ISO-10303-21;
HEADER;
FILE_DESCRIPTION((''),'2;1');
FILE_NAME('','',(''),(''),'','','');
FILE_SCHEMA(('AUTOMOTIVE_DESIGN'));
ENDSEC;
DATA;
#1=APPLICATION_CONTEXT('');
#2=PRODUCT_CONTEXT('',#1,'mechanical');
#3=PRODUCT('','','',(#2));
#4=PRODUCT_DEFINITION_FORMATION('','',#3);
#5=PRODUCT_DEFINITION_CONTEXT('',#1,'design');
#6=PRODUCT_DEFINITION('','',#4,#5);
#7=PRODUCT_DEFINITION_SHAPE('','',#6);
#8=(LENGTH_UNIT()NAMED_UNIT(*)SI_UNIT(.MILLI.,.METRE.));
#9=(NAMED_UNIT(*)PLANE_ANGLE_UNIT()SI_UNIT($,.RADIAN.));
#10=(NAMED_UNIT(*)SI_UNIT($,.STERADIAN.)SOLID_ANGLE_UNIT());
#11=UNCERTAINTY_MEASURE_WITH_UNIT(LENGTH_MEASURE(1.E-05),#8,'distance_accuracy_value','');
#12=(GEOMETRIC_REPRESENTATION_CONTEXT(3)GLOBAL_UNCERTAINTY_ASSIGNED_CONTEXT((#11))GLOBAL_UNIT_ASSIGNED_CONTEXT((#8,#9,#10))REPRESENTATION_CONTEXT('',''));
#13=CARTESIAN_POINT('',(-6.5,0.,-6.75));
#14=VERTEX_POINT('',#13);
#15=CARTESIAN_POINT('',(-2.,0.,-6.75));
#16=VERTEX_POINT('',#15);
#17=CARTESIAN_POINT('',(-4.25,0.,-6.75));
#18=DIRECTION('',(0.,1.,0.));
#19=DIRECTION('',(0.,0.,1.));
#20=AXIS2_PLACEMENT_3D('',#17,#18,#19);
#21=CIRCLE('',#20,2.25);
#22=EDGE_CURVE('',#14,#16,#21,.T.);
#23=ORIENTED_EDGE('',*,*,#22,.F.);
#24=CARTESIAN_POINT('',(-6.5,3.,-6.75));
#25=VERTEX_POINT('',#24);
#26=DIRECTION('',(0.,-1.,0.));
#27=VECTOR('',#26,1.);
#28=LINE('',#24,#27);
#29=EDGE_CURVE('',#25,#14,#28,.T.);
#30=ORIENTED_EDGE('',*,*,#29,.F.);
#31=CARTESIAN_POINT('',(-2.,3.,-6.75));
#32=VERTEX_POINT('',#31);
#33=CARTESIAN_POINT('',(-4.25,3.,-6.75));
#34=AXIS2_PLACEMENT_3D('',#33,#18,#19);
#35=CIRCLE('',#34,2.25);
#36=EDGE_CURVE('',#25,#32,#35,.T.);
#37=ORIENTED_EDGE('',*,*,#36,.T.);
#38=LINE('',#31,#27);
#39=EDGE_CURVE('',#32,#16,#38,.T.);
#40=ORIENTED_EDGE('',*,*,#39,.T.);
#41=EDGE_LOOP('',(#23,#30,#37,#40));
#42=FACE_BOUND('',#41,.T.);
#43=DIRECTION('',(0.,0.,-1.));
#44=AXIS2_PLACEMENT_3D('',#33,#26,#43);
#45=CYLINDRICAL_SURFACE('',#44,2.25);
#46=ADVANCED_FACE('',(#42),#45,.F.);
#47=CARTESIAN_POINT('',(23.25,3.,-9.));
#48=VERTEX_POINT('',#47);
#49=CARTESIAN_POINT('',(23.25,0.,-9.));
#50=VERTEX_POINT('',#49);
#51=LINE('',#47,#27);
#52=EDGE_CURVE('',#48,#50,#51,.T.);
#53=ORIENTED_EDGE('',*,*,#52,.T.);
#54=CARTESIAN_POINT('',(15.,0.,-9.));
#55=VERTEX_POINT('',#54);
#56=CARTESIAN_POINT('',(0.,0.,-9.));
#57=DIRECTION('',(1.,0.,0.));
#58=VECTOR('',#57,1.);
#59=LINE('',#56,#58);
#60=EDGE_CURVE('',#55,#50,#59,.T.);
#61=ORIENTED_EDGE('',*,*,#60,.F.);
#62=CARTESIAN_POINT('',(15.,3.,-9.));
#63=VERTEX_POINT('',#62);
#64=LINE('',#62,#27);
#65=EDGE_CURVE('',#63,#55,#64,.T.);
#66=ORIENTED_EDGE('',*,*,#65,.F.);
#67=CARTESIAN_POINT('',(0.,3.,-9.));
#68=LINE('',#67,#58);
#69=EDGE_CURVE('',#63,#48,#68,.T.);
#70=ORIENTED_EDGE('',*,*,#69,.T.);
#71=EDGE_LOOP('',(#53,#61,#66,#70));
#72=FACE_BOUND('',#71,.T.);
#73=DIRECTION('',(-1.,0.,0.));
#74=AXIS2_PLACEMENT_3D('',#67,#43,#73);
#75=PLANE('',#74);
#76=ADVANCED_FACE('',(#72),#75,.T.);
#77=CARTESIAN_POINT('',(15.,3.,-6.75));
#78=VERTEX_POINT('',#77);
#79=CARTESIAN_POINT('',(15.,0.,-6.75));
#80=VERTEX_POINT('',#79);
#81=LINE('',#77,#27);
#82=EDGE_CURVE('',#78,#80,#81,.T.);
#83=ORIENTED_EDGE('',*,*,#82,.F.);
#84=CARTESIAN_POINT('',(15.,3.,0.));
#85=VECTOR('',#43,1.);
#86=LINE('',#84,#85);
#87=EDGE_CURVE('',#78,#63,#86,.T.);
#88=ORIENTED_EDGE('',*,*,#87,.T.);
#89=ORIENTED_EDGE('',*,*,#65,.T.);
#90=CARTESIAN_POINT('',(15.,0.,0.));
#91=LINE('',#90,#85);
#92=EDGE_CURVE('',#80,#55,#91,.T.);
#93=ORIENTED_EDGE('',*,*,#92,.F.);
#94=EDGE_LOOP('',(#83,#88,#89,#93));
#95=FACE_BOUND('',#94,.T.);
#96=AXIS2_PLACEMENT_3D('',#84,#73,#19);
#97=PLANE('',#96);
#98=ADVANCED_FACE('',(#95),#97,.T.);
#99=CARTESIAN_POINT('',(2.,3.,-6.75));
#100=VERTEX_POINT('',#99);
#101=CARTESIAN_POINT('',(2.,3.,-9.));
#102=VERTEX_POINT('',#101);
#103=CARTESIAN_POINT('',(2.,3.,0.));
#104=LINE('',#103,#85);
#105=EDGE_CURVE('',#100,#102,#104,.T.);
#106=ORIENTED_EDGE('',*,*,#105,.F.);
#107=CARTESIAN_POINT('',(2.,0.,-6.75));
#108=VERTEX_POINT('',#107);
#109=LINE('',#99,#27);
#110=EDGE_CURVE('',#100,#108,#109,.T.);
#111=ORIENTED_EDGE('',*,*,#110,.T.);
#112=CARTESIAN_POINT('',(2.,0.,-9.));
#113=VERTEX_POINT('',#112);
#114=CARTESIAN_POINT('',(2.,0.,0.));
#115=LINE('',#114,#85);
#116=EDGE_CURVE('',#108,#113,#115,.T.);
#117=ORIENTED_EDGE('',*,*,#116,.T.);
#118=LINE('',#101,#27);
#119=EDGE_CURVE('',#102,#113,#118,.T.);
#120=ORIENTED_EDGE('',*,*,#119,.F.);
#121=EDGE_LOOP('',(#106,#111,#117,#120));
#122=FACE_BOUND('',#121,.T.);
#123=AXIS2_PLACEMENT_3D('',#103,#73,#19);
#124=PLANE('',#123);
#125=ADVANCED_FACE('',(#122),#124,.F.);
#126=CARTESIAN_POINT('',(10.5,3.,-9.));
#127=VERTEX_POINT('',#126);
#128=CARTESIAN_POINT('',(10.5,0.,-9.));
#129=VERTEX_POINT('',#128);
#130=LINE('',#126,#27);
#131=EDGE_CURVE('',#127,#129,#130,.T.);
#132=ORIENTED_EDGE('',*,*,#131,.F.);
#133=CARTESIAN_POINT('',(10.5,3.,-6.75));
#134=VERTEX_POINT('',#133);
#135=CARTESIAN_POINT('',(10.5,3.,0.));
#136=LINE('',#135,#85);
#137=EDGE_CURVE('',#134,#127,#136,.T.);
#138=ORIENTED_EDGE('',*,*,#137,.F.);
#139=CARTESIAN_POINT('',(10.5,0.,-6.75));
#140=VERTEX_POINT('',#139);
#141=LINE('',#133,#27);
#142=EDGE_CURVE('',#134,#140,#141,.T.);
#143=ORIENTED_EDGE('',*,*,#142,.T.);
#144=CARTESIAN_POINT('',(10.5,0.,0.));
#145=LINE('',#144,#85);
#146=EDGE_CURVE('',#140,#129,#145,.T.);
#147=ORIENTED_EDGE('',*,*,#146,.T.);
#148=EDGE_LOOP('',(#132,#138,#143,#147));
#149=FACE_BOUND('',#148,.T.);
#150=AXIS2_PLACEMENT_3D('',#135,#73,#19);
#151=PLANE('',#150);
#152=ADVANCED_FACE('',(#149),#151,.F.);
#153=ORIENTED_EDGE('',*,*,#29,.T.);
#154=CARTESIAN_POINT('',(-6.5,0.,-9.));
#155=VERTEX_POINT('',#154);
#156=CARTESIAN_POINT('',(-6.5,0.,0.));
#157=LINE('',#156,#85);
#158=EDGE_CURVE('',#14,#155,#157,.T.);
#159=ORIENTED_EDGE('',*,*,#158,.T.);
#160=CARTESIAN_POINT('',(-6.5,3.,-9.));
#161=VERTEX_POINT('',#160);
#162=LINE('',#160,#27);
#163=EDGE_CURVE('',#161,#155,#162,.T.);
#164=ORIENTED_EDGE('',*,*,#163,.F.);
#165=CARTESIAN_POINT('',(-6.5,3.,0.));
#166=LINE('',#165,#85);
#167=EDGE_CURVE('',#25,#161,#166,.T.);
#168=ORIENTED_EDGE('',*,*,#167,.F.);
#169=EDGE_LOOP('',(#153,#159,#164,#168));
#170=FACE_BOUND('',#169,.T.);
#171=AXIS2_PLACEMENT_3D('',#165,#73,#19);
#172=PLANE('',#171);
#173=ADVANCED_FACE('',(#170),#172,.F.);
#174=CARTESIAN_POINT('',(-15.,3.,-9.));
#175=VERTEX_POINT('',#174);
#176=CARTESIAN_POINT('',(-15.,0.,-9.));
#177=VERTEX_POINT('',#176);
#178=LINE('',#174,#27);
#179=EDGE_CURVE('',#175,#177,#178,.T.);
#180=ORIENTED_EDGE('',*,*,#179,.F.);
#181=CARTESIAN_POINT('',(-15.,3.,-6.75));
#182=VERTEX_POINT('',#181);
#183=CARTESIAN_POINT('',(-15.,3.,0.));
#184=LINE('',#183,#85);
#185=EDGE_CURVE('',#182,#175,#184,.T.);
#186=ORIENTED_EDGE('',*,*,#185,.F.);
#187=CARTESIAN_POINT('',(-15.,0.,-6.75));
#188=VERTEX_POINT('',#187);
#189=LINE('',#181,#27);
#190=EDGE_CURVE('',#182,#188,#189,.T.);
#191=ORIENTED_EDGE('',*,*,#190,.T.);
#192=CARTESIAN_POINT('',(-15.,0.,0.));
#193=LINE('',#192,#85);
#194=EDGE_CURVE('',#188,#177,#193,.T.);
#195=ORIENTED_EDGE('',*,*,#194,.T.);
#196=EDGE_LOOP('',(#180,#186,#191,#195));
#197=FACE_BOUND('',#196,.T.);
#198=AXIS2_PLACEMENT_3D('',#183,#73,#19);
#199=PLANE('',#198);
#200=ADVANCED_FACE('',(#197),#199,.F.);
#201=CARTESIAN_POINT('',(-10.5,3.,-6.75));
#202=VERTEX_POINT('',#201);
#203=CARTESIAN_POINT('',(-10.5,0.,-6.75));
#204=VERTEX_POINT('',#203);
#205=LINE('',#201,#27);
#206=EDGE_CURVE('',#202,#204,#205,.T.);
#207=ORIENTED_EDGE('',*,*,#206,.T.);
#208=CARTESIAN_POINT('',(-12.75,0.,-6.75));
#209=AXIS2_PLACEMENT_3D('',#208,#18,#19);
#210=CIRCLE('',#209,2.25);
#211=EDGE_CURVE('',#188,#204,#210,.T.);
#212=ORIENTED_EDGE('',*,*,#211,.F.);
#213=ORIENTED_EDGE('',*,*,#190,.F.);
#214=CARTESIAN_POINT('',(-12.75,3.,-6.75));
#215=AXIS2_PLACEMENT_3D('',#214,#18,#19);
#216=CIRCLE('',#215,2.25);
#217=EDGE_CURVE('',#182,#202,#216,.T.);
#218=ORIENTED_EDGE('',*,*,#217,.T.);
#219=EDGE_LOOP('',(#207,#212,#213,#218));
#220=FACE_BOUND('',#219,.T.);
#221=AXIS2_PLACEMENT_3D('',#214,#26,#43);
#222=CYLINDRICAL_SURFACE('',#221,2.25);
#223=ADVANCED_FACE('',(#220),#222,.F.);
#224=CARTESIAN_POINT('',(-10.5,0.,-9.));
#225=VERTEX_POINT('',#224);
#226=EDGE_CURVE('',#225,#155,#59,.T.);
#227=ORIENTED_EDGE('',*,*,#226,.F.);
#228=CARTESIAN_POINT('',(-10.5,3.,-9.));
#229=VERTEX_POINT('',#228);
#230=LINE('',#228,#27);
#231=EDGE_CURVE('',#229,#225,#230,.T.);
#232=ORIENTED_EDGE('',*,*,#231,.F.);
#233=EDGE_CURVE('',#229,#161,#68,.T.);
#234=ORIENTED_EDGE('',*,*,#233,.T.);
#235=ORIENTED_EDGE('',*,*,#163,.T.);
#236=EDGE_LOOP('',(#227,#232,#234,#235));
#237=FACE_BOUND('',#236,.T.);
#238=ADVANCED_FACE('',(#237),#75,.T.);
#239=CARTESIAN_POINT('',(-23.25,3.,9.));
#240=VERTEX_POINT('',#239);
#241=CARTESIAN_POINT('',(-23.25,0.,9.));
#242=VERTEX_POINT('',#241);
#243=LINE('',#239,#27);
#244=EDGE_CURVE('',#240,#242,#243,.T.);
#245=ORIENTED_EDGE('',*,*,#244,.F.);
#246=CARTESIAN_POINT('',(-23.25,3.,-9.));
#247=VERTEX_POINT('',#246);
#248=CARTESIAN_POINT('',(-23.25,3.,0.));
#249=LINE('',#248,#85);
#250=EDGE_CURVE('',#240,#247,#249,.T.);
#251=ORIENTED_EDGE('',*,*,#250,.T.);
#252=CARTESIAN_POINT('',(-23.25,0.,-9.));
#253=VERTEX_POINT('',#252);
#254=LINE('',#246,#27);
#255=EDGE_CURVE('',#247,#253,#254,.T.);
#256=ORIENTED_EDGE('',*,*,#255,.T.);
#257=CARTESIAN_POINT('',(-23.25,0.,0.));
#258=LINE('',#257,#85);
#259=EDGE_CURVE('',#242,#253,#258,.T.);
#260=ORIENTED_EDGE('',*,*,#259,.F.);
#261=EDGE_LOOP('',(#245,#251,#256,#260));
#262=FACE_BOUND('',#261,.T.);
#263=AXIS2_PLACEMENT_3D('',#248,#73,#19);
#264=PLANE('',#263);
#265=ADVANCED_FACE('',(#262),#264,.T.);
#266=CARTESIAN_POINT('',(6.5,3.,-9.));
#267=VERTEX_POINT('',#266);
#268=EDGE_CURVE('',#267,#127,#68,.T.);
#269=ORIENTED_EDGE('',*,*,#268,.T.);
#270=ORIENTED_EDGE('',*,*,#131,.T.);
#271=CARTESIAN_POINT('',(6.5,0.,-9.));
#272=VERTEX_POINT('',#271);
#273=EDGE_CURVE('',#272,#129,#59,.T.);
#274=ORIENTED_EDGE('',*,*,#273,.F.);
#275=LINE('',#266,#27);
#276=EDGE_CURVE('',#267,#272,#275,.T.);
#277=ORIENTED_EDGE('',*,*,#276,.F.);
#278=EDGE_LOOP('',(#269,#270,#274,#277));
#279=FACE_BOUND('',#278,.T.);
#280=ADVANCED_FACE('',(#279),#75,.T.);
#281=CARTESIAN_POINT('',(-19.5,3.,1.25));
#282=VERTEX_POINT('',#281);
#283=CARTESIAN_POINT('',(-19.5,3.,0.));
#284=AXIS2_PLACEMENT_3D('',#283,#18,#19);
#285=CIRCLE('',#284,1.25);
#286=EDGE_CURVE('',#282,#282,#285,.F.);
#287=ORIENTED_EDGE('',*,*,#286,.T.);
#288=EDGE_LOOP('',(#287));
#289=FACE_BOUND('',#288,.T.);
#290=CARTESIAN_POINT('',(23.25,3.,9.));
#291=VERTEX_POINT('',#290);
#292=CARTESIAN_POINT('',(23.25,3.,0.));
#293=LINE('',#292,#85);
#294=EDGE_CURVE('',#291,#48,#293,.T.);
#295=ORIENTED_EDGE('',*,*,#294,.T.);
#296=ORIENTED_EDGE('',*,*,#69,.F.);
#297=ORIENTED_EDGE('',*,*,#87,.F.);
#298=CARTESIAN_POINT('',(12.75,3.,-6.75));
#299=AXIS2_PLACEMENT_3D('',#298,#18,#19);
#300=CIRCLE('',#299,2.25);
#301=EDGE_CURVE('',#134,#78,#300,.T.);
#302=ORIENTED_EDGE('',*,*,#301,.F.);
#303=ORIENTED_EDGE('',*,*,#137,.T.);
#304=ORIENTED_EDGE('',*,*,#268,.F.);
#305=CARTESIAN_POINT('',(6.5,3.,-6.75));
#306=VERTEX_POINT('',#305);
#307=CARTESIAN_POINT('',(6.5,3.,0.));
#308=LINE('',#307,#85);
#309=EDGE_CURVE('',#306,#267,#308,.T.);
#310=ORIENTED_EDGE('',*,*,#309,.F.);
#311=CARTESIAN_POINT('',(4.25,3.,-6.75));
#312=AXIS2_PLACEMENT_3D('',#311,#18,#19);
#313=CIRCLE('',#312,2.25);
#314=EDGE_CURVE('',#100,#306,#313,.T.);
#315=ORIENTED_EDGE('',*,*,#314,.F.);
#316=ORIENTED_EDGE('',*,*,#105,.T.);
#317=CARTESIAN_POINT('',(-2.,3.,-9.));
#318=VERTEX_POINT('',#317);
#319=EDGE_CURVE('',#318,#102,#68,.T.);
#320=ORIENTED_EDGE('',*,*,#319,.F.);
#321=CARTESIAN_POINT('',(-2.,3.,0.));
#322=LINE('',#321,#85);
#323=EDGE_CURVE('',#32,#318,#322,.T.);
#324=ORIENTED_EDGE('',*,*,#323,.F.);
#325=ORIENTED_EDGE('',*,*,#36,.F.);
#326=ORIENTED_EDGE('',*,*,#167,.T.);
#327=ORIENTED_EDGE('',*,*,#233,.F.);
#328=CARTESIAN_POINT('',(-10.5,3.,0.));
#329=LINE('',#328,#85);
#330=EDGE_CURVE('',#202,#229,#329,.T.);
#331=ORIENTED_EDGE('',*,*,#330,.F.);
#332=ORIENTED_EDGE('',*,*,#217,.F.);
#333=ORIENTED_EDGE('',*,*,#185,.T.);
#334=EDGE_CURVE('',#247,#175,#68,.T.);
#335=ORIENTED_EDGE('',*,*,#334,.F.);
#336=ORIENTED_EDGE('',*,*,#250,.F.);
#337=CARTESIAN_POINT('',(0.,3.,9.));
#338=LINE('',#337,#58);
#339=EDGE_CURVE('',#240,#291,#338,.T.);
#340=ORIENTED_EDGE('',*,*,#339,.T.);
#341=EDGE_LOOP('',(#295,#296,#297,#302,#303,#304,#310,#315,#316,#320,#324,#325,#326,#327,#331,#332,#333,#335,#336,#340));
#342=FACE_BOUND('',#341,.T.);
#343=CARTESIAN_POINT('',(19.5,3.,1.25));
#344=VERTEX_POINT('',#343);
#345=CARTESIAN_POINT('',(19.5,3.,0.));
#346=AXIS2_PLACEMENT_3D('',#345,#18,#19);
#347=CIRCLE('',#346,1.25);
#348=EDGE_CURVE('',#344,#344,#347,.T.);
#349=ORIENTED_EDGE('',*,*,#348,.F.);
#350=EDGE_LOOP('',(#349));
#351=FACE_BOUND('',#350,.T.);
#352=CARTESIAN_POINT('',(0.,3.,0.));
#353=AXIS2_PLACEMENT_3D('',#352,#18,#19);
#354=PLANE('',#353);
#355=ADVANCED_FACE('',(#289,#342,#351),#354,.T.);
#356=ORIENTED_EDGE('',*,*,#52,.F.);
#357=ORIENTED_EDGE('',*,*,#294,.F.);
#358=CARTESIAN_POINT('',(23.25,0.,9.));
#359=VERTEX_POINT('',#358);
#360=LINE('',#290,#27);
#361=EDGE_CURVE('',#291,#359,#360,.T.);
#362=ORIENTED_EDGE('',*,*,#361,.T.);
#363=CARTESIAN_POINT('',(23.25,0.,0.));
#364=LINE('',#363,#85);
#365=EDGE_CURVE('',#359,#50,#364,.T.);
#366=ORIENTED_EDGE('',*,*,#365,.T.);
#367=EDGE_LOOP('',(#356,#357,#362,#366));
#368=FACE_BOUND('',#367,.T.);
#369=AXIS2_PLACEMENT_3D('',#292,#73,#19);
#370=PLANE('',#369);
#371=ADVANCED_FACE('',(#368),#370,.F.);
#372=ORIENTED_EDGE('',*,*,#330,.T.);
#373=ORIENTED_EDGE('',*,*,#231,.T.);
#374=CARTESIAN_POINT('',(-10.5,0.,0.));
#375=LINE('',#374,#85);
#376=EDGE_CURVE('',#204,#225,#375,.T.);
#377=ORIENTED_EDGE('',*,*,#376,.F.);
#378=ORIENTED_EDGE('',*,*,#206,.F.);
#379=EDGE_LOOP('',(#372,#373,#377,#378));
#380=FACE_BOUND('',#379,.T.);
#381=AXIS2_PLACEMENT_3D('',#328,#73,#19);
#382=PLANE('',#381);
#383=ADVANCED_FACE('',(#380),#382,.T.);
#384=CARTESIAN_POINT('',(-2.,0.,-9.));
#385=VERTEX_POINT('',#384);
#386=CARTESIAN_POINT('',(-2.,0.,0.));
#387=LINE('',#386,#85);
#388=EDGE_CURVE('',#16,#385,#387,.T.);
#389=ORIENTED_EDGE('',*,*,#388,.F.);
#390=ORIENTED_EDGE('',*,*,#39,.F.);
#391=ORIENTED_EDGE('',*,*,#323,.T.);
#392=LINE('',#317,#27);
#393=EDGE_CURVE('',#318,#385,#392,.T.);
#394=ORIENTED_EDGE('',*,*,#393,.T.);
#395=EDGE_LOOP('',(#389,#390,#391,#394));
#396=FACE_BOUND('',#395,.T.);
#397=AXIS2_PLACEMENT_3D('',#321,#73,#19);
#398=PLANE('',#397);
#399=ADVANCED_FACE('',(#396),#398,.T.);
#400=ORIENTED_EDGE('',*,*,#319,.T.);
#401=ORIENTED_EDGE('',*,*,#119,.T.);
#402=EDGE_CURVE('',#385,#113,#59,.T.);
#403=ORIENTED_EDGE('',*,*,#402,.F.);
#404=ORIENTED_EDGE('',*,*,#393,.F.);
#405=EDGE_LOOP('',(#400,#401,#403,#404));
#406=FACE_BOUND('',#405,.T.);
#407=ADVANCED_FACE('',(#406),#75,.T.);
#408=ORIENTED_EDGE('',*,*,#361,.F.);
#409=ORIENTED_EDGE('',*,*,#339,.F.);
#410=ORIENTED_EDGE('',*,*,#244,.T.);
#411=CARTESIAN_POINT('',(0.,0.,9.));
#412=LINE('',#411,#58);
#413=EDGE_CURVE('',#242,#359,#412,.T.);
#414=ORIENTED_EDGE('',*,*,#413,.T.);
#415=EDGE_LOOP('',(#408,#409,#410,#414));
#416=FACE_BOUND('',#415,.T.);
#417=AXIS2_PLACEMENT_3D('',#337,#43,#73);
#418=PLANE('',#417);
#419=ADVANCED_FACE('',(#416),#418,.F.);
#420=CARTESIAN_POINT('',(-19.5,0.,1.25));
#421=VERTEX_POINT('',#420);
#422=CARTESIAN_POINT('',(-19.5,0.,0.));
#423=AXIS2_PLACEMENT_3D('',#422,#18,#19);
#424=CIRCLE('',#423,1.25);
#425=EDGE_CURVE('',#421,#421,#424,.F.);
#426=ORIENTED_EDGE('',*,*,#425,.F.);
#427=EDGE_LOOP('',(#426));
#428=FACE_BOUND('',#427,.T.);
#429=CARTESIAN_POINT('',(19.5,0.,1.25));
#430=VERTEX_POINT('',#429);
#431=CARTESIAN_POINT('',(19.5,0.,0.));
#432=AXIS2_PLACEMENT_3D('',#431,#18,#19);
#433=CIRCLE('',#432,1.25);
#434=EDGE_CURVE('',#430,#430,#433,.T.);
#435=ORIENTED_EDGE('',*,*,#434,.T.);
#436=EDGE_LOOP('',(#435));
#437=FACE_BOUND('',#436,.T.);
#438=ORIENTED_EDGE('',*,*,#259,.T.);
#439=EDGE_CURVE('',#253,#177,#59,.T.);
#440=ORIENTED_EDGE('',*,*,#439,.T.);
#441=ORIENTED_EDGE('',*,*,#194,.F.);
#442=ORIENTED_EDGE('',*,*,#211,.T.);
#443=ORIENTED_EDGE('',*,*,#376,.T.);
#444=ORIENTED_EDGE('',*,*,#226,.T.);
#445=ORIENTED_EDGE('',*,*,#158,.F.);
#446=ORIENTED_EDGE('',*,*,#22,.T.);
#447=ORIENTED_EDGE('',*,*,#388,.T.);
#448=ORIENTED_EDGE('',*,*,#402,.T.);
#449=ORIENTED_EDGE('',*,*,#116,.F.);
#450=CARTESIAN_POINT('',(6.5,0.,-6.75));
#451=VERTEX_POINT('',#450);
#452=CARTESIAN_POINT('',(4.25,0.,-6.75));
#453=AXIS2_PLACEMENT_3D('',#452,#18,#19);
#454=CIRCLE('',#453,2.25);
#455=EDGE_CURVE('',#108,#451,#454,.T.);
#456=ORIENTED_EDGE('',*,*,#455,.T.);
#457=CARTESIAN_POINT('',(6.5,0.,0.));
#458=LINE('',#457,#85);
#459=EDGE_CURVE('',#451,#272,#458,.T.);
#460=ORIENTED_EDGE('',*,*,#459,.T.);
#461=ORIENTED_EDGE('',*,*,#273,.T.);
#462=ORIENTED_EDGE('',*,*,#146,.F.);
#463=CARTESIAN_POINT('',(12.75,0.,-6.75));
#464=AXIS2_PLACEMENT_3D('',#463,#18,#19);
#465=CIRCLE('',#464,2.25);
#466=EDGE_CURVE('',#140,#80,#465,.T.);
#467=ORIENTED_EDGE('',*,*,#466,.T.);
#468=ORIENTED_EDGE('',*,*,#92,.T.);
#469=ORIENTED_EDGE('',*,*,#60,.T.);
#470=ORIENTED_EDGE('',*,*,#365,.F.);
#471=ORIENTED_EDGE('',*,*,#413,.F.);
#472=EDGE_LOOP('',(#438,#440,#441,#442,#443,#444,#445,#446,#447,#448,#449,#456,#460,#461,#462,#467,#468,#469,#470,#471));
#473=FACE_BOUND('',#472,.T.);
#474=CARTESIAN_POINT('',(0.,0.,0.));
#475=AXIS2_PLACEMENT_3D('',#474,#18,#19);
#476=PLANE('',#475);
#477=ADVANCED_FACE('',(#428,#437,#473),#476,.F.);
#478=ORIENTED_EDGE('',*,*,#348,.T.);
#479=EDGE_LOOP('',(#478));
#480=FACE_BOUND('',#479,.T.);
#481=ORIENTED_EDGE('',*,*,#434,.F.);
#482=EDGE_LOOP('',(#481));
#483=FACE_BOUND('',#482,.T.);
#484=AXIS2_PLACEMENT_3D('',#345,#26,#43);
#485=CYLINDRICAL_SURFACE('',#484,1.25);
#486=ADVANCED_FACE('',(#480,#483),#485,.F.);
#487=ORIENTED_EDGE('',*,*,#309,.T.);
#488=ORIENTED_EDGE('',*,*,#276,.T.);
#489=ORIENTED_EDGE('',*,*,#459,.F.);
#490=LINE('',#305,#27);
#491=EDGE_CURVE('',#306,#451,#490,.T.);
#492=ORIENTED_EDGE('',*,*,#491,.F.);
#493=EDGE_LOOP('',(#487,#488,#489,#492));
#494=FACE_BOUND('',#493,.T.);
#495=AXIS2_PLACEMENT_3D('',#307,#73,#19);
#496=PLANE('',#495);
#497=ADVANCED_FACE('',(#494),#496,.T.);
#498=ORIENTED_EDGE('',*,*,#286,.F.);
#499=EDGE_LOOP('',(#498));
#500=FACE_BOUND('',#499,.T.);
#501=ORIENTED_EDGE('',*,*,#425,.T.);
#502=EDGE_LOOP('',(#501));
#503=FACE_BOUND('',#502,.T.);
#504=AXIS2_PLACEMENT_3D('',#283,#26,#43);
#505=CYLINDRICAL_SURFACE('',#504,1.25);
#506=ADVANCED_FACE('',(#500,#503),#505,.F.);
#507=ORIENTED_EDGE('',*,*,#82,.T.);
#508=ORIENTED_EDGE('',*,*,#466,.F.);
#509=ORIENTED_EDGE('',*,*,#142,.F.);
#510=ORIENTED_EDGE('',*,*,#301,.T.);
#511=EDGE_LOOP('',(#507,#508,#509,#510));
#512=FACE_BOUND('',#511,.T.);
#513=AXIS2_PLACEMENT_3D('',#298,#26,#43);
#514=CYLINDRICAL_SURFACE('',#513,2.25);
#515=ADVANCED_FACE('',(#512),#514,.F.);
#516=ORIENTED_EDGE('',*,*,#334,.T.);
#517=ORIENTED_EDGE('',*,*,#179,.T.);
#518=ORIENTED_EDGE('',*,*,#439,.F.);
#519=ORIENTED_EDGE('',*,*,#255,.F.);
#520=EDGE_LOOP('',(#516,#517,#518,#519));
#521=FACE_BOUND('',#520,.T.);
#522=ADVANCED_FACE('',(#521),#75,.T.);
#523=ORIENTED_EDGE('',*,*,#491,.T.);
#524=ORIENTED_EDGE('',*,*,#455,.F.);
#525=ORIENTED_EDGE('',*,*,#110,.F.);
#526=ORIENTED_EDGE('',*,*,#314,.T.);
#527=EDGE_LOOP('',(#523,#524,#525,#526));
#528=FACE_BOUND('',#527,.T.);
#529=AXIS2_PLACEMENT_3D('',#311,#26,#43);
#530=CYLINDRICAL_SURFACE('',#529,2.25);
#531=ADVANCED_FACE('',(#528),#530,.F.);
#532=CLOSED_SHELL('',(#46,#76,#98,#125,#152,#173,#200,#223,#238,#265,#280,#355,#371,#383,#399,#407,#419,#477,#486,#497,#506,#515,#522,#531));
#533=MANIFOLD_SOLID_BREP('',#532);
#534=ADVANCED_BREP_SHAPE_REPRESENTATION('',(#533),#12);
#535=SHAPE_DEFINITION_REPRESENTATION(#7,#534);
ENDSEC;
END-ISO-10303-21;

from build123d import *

# Parameters (mm, degrees)
SKETCH1_R           = 1.25
BOSS_EXTRUDE1_DEPTH = 3


with BuildPart() as part:
    # Sketch1 → Boss-Extrude1 (new body)
    with BuildSketch(Plane(origin=(0, 0, 0), x_dir=(1, 0, 0), z_dir=(0, 1, 0))):
        with BuildLine():
            Line((-23.25, 9), (-23.25, -9))
            Line((-23.25, -9), (23.25, -9))
            Line((23.25, -9), (23.25, 9))
            Line((23.25, 9), (15, 9))
            Line((15, 9), (15, 6.75))
            ThreePointArc((15, 6.75), (12.75, 4.5), (10.5, 6.75))
            Line((10.5, 6.75), (10.5, 9))
            Line((10.5, 9), (6.5, 9))
            Line((6.5, 9), (6.5, 6.75))
            ThreePointArc((6.5, 6.75), (4.25, 4.5), (2, 6.75))
            Line((2, 6.75), (2, 9))
            Line((2, 9), (-2, 9))
            Line((-2, 9), (-2, 6.75))
            ThreePointArc((-2, 6.75), (-4.25, 4.5), (-6.5, 6.75))
            Line((-6.5, 6.75), (-6.5, 9))
            Line((-6.5, 9), (-10.5, 9))
            Line((-10.5, 9), (-10.5, 6.75))
            ThreePointArc((-10.5, 6.75), (-12.75, 4.5), (-15, 6.75))
            Line((-15, 6.75), (-15, 9))
            Line((-15, 9), (-23.25, 9))
        make_face()
        with Locations(Location((-19.5, 0, 0), (0, 0, 270))):
            Circle(SKETCH1_R, mode=Mode.SUBTRACT)
        with Locations(Location((19.5, 0, 0), (0, 0, 270))):
            Circle(SKETCH1_R, mode=Mode.SUBTRACT)
    extrude(amount=BOSS_EXTRUDE1_DEPTH)


solid = part.part
